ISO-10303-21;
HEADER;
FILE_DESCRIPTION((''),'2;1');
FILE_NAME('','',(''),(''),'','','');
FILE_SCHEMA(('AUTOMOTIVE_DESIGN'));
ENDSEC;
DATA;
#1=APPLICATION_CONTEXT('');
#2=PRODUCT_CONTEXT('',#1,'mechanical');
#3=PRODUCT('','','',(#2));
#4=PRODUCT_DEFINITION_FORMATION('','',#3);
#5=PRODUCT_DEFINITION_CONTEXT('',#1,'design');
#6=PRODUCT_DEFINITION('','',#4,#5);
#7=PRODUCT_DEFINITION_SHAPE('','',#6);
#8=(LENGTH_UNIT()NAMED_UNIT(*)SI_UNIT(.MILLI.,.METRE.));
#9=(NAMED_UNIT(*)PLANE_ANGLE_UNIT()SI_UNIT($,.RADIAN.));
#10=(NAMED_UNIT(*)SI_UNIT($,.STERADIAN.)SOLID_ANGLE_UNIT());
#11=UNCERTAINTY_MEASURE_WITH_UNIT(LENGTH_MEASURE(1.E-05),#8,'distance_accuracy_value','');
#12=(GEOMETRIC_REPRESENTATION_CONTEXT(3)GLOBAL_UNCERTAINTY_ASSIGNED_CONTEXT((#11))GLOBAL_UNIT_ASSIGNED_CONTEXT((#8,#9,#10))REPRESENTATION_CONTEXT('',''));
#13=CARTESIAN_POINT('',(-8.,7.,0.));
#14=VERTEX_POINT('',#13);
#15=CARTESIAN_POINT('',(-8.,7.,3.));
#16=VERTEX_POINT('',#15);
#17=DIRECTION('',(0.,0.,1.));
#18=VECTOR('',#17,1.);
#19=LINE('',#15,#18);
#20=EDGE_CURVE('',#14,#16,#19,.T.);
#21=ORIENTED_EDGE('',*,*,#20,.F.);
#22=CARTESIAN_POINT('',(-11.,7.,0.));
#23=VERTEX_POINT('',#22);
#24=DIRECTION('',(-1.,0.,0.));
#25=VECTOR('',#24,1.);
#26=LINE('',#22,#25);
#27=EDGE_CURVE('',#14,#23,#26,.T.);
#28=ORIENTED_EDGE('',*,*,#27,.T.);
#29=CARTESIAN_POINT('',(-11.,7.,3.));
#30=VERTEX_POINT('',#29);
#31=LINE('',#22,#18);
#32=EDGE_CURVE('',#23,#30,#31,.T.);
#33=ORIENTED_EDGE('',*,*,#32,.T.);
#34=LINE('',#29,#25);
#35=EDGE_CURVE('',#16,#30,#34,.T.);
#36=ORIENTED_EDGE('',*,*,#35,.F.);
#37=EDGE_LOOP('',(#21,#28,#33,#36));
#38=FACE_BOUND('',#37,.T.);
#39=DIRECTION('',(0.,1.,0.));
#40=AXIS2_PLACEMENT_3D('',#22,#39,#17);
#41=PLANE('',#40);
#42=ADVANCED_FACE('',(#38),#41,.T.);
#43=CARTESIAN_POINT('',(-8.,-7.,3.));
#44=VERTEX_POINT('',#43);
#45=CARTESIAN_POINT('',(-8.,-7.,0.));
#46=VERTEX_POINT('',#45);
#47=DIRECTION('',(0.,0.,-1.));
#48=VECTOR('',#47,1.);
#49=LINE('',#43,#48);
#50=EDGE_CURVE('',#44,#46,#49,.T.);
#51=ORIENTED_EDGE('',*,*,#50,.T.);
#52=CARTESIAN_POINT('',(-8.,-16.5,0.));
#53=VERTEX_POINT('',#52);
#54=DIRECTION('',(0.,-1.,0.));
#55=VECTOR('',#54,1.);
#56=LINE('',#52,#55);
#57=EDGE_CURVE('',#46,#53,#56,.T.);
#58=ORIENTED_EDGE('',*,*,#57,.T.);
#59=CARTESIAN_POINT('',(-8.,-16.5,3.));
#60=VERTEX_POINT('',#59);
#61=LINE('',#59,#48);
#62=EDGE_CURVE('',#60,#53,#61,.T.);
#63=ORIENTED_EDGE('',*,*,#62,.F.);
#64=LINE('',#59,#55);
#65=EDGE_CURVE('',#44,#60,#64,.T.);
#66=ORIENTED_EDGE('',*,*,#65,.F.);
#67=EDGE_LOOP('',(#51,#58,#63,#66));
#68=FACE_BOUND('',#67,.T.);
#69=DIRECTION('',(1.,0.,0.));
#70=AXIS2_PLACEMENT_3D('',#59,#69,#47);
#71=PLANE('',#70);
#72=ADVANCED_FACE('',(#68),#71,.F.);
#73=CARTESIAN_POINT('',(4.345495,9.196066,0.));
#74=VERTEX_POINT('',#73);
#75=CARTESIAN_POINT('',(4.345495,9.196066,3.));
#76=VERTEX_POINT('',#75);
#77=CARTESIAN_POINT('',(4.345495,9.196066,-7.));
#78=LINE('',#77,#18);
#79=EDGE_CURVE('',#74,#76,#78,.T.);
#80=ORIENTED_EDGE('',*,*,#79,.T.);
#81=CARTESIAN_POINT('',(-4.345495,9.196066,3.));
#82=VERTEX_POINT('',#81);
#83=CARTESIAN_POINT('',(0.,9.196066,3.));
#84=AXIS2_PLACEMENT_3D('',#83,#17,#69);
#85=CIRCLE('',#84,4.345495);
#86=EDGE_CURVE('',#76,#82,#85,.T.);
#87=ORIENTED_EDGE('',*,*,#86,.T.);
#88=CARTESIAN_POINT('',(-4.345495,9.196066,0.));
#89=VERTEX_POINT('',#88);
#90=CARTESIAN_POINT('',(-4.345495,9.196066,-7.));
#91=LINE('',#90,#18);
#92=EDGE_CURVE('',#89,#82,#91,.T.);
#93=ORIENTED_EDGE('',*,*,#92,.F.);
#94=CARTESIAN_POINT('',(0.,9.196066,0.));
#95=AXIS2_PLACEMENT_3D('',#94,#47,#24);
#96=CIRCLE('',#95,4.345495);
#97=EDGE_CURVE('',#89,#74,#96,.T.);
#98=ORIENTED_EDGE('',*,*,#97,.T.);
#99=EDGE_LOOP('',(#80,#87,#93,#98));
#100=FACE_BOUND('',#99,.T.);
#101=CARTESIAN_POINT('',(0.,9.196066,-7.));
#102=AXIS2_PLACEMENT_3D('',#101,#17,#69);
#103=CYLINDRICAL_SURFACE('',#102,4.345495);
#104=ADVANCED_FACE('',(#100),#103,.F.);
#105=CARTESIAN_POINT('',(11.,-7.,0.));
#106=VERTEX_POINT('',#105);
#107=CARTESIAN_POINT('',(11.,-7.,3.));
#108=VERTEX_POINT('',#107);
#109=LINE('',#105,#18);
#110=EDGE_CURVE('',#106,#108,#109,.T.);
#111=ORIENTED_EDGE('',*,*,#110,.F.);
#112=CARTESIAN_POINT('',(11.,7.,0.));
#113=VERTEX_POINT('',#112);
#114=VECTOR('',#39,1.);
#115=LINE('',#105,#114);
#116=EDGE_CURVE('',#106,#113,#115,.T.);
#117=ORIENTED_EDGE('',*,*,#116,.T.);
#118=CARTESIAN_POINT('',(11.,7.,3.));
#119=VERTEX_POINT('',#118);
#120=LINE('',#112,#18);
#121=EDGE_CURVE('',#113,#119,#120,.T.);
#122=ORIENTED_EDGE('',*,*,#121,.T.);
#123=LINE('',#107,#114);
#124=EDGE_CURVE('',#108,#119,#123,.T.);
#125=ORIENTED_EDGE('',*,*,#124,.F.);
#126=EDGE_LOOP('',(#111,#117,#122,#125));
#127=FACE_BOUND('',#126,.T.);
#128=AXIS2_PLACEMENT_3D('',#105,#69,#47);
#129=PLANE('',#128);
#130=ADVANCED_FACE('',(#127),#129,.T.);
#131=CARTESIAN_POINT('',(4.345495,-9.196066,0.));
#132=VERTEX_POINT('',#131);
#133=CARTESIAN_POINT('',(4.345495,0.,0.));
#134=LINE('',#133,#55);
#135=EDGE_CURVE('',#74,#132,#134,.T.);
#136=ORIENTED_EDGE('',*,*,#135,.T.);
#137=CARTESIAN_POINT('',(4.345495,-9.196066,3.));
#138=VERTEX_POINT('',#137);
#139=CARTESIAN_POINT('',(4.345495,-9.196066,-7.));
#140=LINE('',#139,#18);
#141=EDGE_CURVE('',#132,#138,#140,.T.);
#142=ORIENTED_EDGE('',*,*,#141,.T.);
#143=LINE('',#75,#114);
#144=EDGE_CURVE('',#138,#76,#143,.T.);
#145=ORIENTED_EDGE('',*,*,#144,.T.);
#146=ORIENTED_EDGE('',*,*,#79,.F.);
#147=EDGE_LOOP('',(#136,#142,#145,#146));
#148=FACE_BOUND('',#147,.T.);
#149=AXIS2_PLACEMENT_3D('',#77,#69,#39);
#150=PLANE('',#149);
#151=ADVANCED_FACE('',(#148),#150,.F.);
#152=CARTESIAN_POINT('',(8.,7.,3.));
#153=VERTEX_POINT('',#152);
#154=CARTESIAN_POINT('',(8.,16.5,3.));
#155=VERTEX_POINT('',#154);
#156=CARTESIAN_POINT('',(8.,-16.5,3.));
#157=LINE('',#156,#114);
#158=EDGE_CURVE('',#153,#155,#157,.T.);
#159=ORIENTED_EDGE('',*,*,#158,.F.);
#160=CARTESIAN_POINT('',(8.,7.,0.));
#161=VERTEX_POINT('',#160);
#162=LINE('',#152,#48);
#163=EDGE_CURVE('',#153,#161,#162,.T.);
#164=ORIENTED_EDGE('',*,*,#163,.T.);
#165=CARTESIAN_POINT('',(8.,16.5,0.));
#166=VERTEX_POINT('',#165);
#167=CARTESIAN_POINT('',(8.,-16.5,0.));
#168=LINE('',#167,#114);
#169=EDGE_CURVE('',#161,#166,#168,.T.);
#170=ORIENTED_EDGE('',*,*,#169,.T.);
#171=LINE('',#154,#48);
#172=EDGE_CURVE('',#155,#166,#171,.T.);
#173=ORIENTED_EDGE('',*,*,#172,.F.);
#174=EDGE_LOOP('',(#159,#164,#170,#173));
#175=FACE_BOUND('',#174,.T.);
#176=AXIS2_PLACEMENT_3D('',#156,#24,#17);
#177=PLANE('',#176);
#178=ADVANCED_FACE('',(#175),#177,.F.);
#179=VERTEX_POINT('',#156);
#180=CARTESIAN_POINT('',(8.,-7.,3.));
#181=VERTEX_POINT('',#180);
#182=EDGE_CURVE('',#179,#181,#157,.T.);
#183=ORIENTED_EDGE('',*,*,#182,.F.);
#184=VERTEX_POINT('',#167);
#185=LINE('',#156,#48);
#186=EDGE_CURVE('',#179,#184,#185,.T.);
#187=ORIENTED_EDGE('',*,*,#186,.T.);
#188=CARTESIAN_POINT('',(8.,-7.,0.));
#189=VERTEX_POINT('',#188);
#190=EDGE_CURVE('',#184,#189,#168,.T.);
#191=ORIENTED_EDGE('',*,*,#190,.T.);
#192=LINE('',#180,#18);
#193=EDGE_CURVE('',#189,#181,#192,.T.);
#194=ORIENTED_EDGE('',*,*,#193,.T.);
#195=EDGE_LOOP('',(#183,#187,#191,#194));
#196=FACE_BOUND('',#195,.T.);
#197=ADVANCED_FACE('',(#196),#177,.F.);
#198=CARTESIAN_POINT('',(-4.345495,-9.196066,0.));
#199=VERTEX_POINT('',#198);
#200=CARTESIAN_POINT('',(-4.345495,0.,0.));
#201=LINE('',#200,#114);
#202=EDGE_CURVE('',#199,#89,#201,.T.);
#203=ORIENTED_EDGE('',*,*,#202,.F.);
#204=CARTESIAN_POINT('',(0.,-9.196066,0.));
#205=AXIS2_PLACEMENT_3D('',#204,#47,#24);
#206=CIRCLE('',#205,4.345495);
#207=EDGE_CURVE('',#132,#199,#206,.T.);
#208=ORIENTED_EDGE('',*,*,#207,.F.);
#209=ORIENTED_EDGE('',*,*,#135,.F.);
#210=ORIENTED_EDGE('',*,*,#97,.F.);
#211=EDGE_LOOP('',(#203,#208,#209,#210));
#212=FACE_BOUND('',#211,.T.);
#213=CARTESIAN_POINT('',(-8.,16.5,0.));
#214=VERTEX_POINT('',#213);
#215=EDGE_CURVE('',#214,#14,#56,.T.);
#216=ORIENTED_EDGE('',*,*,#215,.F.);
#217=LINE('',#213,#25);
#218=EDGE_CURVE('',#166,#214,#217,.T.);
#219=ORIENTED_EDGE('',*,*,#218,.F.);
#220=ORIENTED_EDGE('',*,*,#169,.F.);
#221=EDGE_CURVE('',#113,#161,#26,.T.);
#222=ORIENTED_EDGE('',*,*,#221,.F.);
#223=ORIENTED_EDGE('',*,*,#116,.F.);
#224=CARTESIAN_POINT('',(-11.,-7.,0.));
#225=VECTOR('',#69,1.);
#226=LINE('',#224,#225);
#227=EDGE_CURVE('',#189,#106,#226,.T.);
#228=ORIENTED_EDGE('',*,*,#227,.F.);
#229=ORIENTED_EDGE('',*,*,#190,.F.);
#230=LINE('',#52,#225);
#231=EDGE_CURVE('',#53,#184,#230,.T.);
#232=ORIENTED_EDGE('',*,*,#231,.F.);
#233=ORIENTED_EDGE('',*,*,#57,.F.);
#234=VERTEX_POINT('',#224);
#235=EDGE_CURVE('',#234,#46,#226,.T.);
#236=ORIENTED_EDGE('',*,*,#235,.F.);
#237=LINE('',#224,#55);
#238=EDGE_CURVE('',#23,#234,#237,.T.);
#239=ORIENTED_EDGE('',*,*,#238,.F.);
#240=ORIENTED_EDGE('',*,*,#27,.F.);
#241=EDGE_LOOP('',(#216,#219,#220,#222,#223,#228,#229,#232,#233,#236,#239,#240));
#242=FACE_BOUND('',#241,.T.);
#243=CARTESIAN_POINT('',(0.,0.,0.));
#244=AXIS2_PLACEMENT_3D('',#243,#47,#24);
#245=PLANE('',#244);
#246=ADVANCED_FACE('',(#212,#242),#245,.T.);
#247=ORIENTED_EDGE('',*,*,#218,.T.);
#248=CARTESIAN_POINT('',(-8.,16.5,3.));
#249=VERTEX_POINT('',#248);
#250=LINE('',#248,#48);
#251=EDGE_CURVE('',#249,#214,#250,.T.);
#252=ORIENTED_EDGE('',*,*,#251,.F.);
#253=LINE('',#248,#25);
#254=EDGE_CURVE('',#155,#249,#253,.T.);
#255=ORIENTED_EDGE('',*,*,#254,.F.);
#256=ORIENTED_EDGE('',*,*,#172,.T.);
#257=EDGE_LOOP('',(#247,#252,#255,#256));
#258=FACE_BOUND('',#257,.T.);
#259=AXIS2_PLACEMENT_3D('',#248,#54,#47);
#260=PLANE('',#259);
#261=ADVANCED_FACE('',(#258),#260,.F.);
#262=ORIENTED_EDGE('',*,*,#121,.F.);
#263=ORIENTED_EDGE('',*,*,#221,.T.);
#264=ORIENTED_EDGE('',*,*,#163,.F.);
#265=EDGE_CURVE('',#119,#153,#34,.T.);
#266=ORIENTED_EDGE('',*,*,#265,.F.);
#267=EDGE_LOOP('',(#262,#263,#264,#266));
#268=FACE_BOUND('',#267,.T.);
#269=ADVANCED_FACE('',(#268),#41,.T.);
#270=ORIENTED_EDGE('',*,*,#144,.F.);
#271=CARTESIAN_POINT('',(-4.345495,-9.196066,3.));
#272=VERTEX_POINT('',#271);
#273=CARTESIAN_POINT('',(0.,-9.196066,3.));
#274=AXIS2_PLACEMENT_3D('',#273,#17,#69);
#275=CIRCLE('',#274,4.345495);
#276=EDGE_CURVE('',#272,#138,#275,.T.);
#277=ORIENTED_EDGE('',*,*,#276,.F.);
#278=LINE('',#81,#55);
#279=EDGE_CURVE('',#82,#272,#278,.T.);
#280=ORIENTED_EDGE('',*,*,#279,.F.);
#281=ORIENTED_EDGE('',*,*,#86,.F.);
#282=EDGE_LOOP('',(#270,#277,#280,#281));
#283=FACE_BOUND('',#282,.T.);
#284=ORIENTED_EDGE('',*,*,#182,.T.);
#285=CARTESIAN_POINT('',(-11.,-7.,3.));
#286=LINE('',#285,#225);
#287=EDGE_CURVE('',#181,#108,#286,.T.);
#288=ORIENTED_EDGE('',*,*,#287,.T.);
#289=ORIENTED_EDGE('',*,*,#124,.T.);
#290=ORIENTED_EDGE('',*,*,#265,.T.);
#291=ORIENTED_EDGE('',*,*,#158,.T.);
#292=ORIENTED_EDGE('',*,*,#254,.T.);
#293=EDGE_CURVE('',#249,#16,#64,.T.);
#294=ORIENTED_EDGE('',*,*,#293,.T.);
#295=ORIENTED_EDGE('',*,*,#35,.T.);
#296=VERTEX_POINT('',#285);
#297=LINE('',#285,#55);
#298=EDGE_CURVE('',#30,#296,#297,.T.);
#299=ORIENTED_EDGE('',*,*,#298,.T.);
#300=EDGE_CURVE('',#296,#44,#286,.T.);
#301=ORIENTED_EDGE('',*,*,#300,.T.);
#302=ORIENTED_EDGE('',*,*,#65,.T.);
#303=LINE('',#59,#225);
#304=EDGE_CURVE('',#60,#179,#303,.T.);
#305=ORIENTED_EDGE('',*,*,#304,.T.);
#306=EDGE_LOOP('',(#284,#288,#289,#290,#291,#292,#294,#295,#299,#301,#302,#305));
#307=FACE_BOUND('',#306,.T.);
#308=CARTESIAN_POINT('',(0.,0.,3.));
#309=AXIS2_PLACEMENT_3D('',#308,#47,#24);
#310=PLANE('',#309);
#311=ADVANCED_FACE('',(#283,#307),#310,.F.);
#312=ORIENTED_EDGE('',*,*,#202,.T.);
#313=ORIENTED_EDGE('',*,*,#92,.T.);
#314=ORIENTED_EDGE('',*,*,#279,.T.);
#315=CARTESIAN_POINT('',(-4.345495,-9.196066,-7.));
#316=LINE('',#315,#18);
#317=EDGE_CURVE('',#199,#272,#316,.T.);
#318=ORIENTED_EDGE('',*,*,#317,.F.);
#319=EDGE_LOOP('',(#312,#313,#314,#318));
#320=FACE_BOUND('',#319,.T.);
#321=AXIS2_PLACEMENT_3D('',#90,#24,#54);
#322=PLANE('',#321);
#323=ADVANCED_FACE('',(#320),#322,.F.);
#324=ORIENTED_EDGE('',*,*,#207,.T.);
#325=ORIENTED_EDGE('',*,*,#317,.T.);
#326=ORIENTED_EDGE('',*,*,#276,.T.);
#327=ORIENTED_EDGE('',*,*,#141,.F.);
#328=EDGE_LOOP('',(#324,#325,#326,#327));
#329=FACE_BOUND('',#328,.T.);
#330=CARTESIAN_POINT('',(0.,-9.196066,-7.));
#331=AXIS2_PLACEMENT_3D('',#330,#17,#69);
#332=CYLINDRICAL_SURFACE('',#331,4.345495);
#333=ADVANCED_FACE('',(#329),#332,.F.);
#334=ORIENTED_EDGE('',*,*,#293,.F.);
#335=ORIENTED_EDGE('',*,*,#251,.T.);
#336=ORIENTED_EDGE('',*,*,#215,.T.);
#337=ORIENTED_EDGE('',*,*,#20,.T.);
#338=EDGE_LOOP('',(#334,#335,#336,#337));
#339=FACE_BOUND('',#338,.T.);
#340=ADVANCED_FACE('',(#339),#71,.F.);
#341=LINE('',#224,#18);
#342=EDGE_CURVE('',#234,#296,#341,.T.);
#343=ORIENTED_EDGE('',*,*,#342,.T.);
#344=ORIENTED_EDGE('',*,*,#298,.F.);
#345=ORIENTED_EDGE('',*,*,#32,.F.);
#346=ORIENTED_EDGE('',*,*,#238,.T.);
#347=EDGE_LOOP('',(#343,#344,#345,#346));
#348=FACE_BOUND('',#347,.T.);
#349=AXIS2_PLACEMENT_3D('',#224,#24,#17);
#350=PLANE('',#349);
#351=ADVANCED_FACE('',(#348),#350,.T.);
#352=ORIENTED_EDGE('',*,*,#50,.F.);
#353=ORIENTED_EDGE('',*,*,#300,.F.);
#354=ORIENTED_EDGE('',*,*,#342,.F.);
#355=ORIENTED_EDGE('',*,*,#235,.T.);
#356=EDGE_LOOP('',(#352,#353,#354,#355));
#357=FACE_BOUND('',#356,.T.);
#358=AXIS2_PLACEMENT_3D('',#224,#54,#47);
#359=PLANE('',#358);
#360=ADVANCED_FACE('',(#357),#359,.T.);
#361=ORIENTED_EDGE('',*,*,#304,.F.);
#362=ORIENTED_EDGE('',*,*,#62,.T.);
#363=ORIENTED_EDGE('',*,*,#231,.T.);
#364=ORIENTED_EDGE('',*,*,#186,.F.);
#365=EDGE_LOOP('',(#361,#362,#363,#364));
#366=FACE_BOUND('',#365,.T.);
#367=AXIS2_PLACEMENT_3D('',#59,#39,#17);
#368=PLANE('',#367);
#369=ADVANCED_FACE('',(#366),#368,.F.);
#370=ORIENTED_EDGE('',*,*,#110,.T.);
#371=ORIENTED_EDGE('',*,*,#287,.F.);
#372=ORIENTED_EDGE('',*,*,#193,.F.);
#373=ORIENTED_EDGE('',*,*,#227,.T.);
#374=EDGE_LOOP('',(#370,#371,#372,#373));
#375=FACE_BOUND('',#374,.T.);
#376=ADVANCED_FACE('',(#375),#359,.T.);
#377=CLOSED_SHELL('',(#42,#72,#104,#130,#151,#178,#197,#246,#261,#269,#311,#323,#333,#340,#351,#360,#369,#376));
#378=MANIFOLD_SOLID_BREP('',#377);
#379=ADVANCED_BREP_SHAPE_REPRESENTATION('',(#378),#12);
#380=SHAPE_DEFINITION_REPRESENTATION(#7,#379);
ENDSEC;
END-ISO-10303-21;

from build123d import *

# Parameters (mm, degrees)
SKETCH1_W           = 16
SKETCH1_H           = 33
BOSS_EXTRUDE1_DEPTH = 3
SKETCH2_W           = 22
SKETCH2_H           = 14
BOSS_EXTRUDE2_DEPTH = 3
CUT_EXTRUDE1_DEPTH  = 10


with BuildPart() as part:
    # Sketch1 → Boss-Extrude1 (new body)
    with BuildSketch(Plane.XY):
        Rectangle(SKETCH1_W, SKETCH1_H)
    extrude(amount=BOSS_EXTRUDE1_DEPTH)

    # Sketch2 → Boss-Extrude2 (add)
    with BuildSketch(Plane.XY.offset(3)):
        Rectangle(SKETCH2_W, SKETCH2_H)
    extrude(amount=-BOSS_EXTRUDE2_DEPTH)

    # Sketch3 → Cut-Extrude1 (cut)
    with BuildSketch(Plane.XY.offset(3)):
        with BuildLine():
            Line((4.345494921, 9.196065885), (4.345494921, -9.196065885))
            ThreePointArc((4.345494921, -9.196065885), (0, -13.541560806), (-4.345494921, -9.196065885))
            Line((-4.345494921, -9.196065885), (-4.345494921, 9.196065885))
            ThreePointArc((-4.345494921, 9.196065885), (0, 13.541560806), (4.345494921, 9.196065885))
        make_face()
    extrude(amount=-CUT_EXTRUDE1_DEPTH, mode=Mode.SUBTRACT)


solid = part.part
